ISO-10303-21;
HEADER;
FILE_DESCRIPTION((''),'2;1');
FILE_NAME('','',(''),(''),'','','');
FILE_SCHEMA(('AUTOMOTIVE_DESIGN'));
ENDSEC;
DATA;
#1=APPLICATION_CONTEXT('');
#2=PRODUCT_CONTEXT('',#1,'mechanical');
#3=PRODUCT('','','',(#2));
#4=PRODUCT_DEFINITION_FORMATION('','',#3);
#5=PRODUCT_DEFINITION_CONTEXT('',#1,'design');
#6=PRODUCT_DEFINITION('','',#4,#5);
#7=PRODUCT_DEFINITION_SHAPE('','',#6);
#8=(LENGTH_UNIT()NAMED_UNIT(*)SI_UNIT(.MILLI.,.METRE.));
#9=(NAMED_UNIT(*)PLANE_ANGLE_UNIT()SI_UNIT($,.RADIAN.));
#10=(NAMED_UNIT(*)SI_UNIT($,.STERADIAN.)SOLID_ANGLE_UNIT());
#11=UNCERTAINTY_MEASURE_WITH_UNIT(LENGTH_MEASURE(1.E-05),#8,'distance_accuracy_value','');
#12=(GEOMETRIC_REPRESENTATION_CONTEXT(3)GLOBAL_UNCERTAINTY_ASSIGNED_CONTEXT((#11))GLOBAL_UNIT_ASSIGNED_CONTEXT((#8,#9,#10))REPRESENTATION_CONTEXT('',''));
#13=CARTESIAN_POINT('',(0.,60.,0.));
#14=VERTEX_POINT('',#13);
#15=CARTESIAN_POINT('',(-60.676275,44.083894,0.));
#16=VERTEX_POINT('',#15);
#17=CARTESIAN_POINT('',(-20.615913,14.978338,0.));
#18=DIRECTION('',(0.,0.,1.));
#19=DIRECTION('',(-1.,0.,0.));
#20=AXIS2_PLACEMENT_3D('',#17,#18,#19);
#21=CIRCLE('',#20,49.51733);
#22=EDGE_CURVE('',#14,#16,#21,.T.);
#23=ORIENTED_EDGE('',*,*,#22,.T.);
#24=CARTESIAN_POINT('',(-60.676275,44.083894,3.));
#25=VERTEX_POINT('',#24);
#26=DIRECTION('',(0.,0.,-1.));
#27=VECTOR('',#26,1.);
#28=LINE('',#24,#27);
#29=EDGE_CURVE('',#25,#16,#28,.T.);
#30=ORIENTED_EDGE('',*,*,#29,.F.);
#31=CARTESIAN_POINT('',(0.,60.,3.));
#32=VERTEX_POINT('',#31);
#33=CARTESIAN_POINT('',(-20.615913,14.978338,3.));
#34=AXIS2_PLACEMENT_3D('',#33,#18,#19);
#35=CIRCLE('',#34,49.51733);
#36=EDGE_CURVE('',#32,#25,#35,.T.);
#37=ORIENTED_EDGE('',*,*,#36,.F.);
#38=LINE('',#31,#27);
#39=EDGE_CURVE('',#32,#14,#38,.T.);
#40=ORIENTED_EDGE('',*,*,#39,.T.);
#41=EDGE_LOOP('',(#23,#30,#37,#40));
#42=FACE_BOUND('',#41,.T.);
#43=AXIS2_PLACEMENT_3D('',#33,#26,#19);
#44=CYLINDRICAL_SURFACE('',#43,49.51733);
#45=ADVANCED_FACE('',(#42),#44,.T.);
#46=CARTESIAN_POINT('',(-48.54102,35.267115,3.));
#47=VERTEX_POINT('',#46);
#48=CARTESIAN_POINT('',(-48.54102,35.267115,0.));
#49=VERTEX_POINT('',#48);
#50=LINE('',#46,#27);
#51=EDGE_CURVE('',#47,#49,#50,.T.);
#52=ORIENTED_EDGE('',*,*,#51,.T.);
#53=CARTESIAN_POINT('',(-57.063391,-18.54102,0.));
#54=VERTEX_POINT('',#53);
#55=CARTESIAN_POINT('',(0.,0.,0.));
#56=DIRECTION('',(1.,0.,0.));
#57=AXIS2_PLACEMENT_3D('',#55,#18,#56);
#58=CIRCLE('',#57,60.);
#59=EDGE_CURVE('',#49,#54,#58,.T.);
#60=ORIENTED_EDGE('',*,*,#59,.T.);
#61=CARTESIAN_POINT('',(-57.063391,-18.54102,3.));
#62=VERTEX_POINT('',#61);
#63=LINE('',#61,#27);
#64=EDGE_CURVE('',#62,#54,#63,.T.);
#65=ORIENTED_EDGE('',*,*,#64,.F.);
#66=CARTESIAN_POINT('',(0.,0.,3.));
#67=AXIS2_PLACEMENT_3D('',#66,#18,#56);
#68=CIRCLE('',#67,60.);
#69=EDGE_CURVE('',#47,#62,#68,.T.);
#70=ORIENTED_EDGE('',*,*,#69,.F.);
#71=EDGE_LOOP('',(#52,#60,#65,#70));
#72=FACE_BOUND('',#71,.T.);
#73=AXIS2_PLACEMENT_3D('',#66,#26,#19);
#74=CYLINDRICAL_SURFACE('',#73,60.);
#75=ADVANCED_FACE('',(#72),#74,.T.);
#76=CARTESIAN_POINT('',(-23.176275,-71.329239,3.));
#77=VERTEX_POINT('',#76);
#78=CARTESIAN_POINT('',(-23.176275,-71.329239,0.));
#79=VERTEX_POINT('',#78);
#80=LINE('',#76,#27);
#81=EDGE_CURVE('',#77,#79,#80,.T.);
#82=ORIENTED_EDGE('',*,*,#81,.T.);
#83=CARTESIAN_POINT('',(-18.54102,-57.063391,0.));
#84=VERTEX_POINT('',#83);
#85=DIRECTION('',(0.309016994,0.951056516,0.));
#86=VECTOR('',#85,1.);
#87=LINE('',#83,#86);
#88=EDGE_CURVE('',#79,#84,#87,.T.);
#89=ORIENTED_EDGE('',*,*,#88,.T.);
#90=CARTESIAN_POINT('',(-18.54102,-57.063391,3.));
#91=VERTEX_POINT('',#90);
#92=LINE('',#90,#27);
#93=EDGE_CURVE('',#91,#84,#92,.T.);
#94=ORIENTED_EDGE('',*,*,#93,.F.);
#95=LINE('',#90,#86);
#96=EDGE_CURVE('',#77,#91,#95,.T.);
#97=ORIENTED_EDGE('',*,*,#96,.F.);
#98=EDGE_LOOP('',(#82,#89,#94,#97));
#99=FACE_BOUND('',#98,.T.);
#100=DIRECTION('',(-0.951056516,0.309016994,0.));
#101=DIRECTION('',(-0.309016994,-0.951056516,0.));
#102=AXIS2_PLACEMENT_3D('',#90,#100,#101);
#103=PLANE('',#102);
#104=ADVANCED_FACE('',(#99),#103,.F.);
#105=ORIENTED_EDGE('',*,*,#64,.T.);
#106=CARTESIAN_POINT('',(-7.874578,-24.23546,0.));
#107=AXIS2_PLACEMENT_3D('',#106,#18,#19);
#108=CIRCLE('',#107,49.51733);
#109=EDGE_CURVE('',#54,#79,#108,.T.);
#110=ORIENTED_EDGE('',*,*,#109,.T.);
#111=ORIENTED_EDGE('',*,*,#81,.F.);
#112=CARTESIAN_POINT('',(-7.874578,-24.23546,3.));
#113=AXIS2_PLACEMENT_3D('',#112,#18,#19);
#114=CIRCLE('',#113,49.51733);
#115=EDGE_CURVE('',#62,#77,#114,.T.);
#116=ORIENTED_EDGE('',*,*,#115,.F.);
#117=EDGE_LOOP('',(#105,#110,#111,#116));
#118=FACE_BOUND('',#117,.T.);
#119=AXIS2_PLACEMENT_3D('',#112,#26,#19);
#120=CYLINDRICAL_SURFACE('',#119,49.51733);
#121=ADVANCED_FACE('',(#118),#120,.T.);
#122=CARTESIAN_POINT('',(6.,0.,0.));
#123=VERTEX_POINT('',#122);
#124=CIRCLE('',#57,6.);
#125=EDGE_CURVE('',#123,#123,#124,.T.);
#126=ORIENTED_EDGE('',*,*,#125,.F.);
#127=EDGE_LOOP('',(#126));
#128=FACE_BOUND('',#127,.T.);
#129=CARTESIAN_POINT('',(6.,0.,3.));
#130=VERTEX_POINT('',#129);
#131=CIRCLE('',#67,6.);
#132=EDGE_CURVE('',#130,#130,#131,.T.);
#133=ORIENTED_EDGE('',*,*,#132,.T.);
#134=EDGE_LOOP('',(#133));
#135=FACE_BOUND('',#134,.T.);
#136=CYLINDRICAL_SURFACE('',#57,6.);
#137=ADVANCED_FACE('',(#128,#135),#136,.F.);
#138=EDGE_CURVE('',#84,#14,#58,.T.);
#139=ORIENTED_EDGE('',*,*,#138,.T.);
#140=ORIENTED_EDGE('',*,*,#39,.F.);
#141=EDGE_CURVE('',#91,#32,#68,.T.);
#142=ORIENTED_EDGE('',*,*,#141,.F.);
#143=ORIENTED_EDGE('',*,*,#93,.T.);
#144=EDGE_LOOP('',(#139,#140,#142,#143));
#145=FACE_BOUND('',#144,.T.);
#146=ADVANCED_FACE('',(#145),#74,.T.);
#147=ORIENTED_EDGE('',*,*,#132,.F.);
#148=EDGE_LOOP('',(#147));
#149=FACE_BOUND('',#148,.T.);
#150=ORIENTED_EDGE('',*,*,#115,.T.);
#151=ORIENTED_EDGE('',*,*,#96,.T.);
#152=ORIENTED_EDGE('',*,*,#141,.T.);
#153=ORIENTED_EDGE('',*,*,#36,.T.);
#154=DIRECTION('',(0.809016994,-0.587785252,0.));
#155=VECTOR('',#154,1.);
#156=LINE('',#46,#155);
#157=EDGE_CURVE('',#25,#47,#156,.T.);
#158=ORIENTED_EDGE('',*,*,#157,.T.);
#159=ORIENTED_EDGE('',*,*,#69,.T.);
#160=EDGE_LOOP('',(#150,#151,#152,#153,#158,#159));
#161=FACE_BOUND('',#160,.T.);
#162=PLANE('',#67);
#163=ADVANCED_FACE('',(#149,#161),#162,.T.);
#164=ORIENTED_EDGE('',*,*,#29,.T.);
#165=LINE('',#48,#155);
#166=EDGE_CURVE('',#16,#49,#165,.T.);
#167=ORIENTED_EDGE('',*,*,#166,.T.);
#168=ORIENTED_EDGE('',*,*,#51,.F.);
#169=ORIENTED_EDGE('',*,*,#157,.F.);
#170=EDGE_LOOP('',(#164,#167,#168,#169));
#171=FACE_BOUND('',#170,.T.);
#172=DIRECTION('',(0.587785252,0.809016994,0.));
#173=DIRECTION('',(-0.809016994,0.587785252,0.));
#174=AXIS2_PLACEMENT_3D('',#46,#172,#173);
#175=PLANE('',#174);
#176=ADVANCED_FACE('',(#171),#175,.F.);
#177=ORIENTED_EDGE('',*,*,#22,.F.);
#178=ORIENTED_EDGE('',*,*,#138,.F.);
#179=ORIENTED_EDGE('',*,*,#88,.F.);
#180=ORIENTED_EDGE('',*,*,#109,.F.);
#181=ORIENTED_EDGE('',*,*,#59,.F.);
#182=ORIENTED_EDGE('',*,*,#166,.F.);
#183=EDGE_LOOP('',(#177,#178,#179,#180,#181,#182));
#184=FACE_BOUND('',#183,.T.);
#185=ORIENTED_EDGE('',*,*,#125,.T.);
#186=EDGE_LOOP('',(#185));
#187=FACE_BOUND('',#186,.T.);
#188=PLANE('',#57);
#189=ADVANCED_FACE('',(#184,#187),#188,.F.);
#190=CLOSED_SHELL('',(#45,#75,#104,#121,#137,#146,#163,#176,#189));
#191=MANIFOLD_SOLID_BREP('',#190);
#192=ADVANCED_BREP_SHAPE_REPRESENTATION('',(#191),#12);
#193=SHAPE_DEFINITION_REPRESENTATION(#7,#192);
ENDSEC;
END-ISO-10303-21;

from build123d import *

# Parameters (mm, degrees)
SALIENTE_EXTRUIR1_DEPTH = 3
CROQUIS2_R              = 6
CORTAR_EXTRUIR1_DEPTH   = 3


with BuildPart() as part:
    # Croquis1 → Saliente-Extruir1 (new body)
    with BuildSketch(Plane.XY):
        with BuildLine():
            Line((-48.541019662, 35.267115138), (-60.676274578, 44.083893922))
            ThreePointArc((-60.676274578, 44.083893922), (-33.17983972, 62.875244761), (0, 60))
            ThreePointArc((0, 60), (59.261300436, -9.386067902), (-18.541019662, -57.063390978))
            Line((-18.541019662, -57.063390978), (-23.176274578, -71.329238722))
            ThreePointArc((-23.176274578, -71.329238722), (-49.544776899, -50.985421932), (-57.063390978, -18.541019662))
            ThreePointArc((-57.063390978, -18.541019662), (-59.261300436, 9.386067902), (-48.541019662, 35.267115138))
        make_face()
    extrude(amount=SALIENTE_EXTRUIR1_DEPTH)

    # Croquis2 → Cortar-Extruir1 (cut)
    with BuildSketch(Plane.XY.offset(3)):
        Circle(CROQUIS2_R)
    extrude(amount=-CORTAR_EXTRUIR1_DEPTH, mode=Mode.SUBTRACT)


solid = part.part
